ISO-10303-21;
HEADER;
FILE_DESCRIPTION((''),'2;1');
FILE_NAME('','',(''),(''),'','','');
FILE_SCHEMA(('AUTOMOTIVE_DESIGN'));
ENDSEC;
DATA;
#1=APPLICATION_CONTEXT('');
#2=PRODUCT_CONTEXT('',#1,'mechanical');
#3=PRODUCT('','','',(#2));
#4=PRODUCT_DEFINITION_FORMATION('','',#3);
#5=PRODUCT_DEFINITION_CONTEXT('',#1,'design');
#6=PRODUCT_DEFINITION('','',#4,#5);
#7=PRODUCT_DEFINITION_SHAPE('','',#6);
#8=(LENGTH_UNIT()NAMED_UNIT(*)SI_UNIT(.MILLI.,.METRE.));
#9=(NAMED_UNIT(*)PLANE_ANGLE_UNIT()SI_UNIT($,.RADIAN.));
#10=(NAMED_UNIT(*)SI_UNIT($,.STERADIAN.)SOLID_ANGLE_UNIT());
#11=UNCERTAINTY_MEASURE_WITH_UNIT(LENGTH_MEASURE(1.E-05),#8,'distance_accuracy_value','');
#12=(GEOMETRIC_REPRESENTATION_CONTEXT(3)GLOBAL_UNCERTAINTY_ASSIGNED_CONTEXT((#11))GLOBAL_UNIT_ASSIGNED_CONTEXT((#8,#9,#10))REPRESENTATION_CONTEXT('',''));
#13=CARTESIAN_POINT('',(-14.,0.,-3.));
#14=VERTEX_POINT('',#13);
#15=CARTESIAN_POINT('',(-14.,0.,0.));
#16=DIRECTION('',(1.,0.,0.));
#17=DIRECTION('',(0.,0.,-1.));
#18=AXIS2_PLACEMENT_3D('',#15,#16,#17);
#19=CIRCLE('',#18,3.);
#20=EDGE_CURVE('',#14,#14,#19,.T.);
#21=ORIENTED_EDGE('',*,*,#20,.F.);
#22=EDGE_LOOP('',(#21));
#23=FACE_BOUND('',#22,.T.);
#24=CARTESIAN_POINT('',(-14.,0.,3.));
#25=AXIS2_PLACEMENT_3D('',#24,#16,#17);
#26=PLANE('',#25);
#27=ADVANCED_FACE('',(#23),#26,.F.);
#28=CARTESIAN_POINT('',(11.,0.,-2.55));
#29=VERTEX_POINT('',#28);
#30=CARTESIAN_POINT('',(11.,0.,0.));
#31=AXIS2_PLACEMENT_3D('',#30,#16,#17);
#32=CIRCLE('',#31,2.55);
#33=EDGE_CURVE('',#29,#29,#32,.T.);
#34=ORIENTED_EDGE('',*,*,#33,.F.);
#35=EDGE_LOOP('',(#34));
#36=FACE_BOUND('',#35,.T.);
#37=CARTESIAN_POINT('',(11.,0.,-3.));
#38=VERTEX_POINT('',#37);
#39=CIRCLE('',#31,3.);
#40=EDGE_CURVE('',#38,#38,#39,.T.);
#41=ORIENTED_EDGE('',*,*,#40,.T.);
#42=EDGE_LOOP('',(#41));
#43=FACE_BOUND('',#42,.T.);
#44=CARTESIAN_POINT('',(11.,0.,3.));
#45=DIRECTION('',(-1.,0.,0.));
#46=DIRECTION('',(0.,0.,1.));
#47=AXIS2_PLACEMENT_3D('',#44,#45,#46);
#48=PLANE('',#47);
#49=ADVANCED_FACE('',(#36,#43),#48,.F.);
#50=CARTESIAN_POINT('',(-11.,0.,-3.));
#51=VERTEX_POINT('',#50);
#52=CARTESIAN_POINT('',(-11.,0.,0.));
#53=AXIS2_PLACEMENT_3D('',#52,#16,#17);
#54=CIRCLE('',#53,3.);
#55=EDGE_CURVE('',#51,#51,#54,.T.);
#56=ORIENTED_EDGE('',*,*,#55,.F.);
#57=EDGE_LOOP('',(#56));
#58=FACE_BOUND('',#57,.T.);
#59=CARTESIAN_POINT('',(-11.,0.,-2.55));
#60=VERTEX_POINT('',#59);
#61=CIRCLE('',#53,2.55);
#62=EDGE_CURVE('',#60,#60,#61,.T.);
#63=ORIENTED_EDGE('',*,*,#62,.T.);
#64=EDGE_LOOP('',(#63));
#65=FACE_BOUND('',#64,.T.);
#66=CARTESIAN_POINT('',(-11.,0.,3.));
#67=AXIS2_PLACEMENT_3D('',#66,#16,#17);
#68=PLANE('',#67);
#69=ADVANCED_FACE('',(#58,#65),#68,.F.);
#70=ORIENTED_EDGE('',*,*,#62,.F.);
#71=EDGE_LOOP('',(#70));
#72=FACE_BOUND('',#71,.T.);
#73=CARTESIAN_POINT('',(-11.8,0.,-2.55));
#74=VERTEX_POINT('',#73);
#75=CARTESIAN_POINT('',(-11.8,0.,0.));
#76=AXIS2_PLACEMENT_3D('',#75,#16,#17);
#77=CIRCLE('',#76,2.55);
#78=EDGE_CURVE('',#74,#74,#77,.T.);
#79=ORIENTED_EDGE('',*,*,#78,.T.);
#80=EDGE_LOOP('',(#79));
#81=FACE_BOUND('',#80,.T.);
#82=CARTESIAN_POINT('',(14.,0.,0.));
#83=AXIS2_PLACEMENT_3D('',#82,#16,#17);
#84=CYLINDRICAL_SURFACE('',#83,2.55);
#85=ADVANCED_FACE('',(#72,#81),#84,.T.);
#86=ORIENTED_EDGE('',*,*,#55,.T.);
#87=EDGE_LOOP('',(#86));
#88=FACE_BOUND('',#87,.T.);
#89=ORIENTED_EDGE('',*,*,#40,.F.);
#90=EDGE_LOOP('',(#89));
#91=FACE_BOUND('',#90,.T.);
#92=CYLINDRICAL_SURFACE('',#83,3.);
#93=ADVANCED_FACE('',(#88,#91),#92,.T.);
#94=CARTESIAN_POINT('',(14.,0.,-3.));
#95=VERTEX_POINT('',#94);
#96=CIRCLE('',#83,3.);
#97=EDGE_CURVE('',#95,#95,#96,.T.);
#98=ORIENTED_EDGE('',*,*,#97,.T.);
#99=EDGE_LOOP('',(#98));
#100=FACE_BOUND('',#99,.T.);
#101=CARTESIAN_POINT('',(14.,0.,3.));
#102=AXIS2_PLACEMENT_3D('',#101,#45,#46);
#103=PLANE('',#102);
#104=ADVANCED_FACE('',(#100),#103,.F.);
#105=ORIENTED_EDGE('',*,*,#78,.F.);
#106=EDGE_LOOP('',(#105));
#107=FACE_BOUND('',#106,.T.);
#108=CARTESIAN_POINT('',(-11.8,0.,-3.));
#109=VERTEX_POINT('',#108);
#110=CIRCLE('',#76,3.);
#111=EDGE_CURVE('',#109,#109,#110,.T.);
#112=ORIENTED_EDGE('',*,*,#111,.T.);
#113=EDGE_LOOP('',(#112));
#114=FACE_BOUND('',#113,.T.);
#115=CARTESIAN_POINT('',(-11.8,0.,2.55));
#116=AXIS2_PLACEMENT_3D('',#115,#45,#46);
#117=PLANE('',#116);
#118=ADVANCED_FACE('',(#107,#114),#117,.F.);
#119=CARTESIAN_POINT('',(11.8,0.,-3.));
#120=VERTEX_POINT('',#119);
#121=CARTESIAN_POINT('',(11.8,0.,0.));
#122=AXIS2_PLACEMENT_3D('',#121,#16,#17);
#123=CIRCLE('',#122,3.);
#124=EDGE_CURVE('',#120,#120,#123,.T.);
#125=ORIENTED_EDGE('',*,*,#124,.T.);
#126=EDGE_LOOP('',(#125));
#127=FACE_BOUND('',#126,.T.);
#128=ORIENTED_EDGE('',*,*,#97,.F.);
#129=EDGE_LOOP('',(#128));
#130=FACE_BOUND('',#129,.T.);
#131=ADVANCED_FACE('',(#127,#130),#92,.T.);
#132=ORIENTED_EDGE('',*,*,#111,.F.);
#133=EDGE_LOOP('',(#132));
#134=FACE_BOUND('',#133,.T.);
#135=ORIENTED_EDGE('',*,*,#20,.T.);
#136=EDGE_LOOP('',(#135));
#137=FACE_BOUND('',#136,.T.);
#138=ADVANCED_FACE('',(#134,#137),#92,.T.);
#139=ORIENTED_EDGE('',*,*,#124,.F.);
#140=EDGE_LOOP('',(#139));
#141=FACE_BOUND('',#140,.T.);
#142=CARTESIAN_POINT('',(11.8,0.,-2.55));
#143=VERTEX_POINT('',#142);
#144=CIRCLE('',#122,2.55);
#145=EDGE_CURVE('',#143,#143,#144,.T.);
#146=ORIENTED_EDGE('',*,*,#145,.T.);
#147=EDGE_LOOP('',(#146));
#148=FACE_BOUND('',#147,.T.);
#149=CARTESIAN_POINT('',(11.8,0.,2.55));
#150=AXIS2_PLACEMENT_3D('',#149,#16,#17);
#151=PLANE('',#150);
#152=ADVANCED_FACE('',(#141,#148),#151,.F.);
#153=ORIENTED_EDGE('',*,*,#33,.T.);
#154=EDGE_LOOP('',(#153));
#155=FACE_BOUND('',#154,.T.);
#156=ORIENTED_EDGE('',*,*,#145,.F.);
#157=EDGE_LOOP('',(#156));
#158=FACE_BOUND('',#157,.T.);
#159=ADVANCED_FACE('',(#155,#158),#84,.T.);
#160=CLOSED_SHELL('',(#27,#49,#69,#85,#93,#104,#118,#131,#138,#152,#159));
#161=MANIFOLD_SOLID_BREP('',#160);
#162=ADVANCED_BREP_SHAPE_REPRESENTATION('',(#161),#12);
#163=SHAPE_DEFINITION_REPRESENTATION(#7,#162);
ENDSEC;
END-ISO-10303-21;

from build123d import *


with BuildPart() as part:
    # Croquis1 → Revolución1 (revolve)
    with BuildSketch(Plane(origin=(0, 0, 0), x_dir=(-1, 0, 0), z_dir=(0, 1, 0)), mode=Mode.PRIVATE) as revoluci_n1_sk:
        Polygon((-11, 3), (11, 3), (11, 2.55), (11.8, 2.55), (11.8, 3), (14, 3), (14, 0), (-14, 0), (-14, 3), (-11.8, 3), (-11.8, 2.55), (-11, 2.55), align=None)
    revolve(revoluci_n1_sk.sketch.rotate(Axis((14, 0, 0), (-1, 0, 0)), 180), axis=Axis((14, 0, 0), (-1, 0, 0)))


solid = part.part
